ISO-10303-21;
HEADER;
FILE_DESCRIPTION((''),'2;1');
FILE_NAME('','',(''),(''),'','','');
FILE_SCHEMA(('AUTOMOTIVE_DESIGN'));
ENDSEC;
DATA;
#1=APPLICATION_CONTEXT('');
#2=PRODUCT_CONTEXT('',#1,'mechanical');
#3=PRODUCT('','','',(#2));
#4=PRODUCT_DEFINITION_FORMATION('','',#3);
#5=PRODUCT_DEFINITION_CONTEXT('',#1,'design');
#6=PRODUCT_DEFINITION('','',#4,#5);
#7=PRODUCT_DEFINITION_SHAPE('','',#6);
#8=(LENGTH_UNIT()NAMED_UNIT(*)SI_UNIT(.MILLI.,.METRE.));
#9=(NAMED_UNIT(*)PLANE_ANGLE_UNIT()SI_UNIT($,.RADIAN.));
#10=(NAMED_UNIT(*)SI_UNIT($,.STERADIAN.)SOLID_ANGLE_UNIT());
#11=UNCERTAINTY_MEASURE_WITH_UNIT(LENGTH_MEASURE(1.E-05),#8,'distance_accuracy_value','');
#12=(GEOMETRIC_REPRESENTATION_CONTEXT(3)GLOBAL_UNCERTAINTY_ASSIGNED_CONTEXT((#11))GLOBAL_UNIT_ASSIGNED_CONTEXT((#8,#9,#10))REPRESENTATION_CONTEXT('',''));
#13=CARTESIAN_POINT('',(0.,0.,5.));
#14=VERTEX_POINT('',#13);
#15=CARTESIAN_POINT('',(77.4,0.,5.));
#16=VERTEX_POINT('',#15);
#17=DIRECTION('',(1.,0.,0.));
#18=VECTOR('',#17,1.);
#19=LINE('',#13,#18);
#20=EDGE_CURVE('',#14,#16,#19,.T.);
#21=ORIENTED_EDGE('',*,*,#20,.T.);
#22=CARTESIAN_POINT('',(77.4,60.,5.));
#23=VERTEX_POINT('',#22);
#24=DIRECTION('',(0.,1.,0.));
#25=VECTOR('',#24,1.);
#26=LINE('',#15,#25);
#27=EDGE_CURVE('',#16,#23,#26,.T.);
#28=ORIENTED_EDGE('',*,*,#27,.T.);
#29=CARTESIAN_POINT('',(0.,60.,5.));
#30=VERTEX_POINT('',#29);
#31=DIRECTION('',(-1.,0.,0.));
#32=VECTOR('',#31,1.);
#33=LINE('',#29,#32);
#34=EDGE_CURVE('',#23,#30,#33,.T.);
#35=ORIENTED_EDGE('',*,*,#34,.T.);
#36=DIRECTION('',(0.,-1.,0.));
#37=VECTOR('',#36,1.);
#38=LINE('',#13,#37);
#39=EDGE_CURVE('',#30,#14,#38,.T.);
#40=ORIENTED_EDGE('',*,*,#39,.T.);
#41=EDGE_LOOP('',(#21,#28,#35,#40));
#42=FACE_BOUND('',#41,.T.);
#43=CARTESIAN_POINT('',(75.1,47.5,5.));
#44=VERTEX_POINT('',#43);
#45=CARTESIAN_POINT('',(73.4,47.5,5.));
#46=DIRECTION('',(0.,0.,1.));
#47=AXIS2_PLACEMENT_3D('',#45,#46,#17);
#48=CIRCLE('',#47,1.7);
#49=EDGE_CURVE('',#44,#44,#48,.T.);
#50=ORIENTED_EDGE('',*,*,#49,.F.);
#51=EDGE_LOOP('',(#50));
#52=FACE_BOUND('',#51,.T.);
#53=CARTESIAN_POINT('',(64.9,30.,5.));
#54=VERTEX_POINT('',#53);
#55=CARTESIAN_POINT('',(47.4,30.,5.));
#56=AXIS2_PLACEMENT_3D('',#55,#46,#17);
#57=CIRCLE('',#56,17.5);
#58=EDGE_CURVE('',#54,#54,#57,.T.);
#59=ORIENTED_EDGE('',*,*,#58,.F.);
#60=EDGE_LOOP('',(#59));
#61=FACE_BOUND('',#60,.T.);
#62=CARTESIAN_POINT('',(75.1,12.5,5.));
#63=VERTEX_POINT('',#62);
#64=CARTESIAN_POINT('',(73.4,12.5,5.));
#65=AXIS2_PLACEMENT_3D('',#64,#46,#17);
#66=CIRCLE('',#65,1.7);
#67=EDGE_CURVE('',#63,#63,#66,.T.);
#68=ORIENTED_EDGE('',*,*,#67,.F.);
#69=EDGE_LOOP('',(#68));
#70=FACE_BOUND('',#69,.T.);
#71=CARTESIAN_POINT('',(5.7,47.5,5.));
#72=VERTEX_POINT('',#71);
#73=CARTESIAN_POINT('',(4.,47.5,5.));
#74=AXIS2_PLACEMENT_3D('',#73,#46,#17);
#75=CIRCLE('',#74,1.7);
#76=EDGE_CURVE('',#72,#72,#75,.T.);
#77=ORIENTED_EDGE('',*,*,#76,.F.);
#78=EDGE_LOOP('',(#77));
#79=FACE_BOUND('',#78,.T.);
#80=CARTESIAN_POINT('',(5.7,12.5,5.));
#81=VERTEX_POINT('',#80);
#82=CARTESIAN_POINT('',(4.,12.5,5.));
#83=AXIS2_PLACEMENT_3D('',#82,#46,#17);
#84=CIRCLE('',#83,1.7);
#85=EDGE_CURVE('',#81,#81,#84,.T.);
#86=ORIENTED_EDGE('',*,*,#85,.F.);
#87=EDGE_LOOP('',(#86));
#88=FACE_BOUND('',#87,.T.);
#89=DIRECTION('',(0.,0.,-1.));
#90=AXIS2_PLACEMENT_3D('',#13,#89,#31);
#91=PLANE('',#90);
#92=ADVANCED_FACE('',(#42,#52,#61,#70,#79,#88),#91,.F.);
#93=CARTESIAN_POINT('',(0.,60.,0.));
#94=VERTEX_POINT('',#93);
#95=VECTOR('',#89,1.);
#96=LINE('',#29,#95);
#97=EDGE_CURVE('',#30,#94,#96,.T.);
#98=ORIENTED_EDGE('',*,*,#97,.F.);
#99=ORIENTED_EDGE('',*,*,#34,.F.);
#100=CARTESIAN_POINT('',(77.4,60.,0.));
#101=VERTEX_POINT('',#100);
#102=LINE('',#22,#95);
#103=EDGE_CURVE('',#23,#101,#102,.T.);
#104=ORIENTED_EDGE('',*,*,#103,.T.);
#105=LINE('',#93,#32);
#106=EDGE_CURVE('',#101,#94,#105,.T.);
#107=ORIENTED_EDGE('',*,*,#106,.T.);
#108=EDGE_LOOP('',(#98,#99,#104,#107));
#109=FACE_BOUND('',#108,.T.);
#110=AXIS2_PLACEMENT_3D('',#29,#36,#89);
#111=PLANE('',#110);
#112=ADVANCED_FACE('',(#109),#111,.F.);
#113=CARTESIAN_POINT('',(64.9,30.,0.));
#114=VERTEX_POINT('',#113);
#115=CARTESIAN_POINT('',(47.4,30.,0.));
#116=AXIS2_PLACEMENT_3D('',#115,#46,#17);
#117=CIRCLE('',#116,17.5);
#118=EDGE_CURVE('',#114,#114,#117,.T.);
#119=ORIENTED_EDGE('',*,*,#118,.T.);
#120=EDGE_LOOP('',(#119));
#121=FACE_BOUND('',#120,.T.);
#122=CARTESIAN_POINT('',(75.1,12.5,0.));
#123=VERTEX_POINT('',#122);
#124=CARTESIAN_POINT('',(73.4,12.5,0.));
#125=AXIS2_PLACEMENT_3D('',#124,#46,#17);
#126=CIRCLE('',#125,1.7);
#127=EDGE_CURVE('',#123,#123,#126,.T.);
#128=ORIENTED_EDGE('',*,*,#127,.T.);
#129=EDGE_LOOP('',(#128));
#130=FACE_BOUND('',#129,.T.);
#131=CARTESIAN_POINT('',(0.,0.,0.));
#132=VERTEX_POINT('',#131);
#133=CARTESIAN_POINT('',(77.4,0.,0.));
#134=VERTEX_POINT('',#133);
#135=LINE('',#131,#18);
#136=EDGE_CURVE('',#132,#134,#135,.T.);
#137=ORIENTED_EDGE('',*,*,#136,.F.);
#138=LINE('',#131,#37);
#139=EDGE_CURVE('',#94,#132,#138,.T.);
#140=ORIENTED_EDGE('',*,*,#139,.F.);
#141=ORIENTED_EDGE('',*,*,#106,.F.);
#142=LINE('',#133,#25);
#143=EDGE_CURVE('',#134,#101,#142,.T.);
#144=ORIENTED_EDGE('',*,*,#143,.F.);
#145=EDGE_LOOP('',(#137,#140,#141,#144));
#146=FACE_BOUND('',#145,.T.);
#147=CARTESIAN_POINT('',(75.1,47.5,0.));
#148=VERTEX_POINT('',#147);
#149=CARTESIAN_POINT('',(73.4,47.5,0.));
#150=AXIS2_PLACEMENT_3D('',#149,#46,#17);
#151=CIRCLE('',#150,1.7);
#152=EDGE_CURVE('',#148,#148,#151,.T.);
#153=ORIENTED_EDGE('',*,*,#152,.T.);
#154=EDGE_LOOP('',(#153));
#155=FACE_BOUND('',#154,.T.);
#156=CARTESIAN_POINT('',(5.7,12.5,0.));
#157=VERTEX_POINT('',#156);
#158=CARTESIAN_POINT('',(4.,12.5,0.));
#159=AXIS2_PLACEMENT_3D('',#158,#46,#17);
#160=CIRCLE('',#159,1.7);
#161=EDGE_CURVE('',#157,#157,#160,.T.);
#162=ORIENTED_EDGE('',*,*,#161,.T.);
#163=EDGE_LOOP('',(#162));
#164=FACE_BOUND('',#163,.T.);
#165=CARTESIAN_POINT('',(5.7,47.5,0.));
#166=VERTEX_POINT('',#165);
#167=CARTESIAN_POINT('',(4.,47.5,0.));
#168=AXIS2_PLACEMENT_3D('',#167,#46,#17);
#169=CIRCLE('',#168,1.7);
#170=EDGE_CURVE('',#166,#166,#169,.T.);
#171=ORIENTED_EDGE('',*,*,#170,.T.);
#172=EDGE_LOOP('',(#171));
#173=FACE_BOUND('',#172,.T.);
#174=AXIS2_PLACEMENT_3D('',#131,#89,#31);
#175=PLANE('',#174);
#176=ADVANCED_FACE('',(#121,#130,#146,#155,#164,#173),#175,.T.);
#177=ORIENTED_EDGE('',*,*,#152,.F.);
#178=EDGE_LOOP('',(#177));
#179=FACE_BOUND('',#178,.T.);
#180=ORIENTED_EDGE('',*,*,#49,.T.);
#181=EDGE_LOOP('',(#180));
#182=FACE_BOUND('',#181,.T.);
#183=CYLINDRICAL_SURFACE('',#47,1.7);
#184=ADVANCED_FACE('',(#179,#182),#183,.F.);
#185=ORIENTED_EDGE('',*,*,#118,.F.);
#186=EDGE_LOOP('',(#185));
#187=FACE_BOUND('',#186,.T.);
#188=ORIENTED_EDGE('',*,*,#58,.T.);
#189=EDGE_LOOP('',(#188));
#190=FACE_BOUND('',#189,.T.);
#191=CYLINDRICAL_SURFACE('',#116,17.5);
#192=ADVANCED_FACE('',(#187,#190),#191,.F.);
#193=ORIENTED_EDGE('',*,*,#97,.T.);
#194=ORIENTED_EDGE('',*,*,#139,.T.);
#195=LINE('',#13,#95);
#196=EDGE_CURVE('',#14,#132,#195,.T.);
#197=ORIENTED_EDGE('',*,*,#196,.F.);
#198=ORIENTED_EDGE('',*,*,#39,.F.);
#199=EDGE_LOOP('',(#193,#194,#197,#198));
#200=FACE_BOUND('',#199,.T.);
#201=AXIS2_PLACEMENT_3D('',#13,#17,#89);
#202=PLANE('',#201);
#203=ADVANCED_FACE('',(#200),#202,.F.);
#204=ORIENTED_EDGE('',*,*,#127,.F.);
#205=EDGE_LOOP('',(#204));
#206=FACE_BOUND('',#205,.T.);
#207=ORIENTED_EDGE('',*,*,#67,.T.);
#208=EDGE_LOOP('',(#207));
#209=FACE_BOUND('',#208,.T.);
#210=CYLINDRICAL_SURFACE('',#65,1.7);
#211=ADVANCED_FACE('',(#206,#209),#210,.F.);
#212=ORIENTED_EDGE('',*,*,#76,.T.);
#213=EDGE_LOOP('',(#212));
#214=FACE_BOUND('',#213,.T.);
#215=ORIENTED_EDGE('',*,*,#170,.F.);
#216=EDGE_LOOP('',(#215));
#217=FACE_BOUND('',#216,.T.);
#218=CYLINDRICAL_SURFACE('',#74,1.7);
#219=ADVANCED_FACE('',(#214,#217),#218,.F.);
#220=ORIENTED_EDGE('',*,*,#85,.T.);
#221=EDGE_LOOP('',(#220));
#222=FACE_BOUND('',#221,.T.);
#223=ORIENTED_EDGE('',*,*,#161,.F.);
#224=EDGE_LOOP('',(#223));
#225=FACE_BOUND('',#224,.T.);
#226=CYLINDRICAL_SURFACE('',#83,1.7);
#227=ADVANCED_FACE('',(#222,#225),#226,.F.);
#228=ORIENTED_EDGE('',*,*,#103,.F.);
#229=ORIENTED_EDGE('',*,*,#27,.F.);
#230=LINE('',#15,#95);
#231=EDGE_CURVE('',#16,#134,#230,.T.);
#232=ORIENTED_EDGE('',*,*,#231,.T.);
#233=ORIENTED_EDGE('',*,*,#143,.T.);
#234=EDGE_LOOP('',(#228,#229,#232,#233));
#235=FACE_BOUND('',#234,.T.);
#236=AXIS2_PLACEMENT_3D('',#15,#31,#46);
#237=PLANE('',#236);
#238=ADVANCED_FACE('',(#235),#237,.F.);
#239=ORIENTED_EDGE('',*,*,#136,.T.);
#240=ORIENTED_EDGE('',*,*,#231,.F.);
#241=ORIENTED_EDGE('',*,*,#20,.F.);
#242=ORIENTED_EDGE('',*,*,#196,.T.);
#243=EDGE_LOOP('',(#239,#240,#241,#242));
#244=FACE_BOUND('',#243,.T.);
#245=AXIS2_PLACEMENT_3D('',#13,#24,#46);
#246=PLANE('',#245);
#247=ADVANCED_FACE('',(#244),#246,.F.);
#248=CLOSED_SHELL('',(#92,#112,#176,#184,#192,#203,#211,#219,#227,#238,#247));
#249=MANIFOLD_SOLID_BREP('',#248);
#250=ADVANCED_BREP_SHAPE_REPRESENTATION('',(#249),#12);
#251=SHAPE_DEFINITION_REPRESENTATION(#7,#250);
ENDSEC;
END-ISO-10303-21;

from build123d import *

# Parameters (mm, degrees)
SKETCH_1_W              = 77.4
SKETCH_1_H              = 60
EXTRUDE_1_DEPTH         = 5
SKETCH_2_R              = 17.5
CUT_EXTRUDE_1_DEPTH     = 99.059981644
HOLE_WIZARD_3_4_3_4_2_D = 3.4


with BuildPart() as part:
    # ｽｹｯﾁ1 → ﾎﾞｽ - 押し出し1 (new body)
    with BuildSketch(Plane.XY):
        with Locations((38.7, 30)):
            Rectangle(SKETCH_1_W, SKETCH_1_H)
    extrude(amount=EXTRUDE_1_DEPTH)

    # ｽｹｯﾁ2 → ｶｯﾄ - 押し出し1 (cut, through all)
    with BuildSketch(Plane.XY.offset(5)):
        with Locations((47.4, 30)):
            Circle(SKETCH_2_R)
    extrude(amount=-CUT_EXTRUDE_1_DEPTH, mode=Mode.SUBTRACT)

    # Ø3.4 (3.4) 直径の穴2 (through all)
    with Locations(Plane(origin=(73.4, 47.5, 5), x_dir=(1, 0, 0), z_dir=(0, 0, 1))):
        with Locations((0, 0), (0, -35), (-69.4, -35), (-69.4, 0)):
            Hole(HOLE_WIZARD_3_4_3_4_2_D / 2)


solid = part.part
